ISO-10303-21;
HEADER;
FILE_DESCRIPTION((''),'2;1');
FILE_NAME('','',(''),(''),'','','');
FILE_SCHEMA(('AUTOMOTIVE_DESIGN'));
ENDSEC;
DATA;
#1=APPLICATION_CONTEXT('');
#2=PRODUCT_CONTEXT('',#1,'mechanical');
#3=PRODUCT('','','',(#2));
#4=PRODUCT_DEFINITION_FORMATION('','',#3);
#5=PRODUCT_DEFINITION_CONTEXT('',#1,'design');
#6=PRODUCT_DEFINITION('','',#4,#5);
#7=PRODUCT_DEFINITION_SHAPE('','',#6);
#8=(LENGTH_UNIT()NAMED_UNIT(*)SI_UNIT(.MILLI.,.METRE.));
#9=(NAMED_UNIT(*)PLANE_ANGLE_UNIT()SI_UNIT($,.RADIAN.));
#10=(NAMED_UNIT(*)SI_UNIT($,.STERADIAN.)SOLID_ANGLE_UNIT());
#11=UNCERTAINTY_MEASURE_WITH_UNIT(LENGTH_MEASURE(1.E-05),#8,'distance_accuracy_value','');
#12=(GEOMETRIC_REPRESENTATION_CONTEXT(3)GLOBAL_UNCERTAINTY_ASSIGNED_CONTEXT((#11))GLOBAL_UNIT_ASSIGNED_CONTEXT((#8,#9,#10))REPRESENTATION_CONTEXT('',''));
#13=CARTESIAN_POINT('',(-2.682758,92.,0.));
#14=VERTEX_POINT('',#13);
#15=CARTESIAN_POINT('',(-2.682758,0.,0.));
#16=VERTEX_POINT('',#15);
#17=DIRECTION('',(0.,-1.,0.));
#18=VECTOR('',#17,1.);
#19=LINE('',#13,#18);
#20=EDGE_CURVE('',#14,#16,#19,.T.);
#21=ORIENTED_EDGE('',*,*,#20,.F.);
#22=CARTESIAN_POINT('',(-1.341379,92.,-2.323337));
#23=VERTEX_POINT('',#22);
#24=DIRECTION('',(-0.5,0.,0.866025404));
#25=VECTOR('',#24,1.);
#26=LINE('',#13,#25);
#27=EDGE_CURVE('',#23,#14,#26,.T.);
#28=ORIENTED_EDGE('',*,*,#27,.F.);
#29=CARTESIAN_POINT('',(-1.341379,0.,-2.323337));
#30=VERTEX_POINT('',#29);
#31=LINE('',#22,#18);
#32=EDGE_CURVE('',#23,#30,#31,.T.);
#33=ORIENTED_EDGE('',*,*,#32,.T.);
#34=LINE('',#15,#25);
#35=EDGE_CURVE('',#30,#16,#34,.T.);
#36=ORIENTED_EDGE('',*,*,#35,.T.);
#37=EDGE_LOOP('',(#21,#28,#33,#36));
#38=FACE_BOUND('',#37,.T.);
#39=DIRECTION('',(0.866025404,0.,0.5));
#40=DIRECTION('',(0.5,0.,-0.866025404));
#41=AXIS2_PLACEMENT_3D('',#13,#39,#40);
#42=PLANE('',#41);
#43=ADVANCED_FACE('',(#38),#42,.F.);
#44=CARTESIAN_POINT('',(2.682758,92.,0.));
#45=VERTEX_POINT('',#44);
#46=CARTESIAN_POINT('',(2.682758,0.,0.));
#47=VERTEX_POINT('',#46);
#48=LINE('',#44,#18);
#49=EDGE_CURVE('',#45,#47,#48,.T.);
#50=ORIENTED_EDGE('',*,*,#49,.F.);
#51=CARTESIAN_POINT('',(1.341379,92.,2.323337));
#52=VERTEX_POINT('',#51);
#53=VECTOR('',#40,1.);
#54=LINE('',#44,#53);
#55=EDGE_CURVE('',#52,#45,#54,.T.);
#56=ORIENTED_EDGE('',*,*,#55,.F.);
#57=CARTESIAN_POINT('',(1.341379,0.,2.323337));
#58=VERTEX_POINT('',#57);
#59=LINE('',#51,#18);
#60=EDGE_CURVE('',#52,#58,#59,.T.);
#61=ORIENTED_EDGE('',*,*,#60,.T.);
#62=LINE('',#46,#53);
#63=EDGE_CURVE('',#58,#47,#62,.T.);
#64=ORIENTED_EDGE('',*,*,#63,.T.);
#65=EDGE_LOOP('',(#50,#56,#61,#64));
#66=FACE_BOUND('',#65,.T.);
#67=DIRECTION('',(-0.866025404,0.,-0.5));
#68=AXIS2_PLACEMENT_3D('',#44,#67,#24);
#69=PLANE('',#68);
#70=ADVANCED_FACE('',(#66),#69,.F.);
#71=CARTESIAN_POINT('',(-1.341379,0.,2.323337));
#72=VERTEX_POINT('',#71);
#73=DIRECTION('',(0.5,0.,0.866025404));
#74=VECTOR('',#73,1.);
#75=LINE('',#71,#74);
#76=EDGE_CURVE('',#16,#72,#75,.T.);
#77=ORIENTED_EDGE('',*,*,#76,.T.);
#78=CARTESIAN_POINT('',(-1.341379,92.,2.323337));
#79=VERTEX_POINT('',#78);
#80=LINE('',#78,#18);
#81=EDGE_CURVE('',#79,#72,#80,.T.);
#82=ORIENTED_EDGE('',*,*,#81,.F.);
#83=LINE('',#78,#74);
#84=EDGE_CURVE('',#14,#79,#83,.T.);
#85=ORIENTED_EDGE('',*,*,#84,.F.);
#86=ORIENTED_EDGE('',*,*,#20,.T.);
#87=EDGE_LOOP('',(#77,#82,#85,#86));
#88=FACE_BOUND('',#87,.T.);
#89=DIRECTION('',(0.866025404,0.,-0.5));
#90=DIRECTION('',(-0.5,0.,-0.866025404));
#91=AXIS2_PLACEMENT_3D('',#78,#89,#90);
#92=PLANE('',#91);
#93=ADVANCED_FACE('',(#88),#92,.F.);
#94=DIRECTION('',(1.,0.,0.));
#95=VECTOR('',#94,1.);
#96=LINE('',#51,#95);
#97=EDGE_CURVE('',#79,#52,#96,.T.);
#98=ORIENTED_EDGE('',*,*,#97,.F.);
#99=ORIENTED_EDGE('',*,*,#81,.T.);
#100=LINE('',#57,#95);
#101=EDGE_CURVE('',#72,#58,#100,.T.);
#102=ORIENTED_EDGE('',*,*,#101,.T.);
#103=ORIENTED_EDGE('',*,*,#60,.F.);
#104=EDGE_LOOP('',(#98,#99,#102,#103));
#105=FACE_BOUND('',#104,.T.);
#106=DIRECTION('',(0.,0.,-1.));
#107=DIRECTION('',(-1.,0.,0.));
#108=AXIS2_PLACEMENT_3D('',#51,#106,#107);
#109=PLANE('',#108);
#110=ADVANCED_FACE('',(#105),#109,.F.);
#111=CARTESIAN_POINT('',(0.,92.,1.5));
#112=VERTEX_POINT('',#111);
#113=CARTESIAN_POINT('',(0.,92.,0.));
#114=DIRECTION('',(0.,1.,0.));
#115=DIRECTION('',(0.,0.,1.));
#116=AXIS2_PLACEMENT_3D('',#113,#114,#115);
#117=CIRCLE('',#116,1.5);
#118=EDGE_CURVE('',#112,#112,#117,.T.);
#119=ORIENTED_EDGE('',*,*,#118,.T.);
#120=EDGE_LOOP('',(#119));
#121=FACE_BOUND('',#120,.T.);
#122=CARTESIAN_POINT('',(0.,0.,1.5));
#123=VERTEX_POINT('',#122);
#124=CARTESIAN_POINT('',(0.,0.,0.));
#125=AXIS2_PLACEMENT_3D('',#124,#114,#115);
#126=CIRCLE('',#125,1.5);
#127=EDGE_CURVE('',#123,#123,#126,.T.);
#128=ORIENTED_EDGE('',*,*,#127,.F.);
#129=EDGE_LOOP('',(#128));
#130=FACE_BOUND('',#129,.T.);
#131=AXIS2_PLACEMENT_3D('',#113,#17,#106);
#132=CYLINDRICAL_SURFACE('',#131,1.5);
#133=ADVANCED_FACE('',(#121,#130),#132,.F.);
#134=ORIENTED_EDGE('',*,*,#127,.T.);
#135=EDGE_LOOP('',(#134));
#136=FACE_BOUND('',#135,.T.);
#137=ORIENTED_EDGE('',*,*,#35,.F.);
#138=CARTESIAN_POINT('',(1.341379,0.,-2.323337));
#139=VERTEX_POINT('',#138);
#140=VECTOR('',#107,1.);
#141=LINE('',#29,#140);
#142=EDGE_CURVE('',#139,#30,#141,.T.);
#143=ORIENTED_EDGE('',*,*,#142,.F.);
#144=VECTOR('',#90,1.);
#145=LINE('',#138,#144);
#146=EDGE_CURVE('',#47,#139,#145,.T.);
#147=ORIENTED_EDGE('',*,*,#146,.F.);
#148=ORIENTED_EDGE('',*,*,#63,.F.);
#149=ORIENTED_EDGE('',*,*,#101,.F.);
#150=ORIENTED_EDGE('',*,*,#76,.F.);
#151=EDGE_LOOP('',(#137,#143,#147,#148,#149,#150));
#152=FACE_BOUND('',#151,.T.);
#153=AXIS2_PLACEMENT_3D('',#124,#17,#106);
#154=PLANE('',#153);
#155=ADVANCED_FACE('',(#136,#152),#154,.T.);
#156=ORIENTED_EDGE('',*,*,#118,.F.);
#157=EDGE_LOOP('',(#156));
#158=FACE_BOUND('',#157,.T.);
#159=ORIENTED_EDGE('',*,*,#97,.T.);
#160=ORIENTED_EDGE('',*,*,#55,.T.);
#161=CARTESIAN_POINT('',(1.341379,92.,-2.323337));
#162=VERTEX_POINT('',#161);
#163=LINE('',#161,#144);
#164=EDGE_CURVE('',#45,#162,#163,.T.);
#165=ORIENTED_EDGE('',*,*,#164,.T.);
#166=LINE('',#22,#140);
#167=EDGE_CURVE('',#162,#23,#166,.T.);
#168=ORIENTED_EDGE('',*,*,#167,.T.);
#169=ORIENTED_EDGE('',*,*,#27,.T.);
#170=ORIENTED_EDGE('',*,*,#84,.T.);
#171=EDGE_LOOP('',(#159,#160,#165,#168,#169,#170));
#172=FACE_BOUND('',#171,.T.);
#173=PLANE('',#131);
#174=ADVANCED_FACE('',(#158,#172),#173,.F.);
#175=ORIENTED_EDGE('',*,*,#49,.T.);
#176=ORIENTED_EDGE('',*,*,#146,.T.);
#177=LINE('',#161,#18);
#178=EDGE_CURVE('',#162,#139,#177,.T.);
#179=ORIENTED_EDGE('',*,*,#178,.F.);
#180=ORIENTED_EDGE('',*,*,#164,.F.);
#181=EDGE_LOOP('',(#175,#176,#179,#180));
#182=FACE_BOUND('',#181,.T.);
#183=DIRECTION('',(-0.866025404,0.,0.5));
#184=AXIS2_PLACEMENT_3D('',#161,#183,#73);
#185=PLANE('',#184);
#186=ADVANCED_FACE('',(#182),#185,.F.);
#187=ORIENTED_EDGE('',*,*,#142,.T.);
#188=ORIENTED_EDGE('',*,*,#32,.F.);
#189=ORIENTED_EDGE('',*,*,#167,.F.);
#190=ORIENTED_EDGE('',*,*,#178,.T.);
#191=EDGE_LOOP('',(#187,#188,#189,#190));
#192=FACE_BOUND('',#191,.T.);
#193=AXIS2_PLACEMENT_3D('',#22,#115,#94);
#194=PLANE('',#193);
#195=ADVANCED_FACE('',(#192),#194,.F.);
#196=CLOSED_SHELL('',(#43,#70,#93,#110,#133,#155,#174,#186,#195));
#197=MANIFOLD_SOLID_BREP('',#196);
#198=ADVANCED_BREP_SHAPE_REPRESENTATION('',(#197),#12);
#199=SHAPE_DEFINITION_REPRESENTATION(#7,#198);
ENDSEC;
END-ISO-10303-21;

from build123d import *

# Parameters (mm, degrees)
SKETCH1_R           = 1.5
BOSS_EXTRUDE1_DEPTH = 92


with BuildPart() as part:
    # Sketch1 → Boss-Extrude1 (new body)
    with BuildSketch(Plane(origin=(0, 0, 0), x_dir=(1, 0, 0), z_dir=(0, 1, 0))):
        Polygon((1.341379, 2.32333658), (2.682757999, 0), (1.341379, -2.32333658), (-1.341379, -2.32333658), (-2.682757999, 0), (-1.341379, 2.32333658), align=None)
        Circle(SKETCH1_R, mode=Mode.SUBTRACT)
    extrude(amount=BOSS_EXTRUDE1_DEPTH)


solid = part.part
